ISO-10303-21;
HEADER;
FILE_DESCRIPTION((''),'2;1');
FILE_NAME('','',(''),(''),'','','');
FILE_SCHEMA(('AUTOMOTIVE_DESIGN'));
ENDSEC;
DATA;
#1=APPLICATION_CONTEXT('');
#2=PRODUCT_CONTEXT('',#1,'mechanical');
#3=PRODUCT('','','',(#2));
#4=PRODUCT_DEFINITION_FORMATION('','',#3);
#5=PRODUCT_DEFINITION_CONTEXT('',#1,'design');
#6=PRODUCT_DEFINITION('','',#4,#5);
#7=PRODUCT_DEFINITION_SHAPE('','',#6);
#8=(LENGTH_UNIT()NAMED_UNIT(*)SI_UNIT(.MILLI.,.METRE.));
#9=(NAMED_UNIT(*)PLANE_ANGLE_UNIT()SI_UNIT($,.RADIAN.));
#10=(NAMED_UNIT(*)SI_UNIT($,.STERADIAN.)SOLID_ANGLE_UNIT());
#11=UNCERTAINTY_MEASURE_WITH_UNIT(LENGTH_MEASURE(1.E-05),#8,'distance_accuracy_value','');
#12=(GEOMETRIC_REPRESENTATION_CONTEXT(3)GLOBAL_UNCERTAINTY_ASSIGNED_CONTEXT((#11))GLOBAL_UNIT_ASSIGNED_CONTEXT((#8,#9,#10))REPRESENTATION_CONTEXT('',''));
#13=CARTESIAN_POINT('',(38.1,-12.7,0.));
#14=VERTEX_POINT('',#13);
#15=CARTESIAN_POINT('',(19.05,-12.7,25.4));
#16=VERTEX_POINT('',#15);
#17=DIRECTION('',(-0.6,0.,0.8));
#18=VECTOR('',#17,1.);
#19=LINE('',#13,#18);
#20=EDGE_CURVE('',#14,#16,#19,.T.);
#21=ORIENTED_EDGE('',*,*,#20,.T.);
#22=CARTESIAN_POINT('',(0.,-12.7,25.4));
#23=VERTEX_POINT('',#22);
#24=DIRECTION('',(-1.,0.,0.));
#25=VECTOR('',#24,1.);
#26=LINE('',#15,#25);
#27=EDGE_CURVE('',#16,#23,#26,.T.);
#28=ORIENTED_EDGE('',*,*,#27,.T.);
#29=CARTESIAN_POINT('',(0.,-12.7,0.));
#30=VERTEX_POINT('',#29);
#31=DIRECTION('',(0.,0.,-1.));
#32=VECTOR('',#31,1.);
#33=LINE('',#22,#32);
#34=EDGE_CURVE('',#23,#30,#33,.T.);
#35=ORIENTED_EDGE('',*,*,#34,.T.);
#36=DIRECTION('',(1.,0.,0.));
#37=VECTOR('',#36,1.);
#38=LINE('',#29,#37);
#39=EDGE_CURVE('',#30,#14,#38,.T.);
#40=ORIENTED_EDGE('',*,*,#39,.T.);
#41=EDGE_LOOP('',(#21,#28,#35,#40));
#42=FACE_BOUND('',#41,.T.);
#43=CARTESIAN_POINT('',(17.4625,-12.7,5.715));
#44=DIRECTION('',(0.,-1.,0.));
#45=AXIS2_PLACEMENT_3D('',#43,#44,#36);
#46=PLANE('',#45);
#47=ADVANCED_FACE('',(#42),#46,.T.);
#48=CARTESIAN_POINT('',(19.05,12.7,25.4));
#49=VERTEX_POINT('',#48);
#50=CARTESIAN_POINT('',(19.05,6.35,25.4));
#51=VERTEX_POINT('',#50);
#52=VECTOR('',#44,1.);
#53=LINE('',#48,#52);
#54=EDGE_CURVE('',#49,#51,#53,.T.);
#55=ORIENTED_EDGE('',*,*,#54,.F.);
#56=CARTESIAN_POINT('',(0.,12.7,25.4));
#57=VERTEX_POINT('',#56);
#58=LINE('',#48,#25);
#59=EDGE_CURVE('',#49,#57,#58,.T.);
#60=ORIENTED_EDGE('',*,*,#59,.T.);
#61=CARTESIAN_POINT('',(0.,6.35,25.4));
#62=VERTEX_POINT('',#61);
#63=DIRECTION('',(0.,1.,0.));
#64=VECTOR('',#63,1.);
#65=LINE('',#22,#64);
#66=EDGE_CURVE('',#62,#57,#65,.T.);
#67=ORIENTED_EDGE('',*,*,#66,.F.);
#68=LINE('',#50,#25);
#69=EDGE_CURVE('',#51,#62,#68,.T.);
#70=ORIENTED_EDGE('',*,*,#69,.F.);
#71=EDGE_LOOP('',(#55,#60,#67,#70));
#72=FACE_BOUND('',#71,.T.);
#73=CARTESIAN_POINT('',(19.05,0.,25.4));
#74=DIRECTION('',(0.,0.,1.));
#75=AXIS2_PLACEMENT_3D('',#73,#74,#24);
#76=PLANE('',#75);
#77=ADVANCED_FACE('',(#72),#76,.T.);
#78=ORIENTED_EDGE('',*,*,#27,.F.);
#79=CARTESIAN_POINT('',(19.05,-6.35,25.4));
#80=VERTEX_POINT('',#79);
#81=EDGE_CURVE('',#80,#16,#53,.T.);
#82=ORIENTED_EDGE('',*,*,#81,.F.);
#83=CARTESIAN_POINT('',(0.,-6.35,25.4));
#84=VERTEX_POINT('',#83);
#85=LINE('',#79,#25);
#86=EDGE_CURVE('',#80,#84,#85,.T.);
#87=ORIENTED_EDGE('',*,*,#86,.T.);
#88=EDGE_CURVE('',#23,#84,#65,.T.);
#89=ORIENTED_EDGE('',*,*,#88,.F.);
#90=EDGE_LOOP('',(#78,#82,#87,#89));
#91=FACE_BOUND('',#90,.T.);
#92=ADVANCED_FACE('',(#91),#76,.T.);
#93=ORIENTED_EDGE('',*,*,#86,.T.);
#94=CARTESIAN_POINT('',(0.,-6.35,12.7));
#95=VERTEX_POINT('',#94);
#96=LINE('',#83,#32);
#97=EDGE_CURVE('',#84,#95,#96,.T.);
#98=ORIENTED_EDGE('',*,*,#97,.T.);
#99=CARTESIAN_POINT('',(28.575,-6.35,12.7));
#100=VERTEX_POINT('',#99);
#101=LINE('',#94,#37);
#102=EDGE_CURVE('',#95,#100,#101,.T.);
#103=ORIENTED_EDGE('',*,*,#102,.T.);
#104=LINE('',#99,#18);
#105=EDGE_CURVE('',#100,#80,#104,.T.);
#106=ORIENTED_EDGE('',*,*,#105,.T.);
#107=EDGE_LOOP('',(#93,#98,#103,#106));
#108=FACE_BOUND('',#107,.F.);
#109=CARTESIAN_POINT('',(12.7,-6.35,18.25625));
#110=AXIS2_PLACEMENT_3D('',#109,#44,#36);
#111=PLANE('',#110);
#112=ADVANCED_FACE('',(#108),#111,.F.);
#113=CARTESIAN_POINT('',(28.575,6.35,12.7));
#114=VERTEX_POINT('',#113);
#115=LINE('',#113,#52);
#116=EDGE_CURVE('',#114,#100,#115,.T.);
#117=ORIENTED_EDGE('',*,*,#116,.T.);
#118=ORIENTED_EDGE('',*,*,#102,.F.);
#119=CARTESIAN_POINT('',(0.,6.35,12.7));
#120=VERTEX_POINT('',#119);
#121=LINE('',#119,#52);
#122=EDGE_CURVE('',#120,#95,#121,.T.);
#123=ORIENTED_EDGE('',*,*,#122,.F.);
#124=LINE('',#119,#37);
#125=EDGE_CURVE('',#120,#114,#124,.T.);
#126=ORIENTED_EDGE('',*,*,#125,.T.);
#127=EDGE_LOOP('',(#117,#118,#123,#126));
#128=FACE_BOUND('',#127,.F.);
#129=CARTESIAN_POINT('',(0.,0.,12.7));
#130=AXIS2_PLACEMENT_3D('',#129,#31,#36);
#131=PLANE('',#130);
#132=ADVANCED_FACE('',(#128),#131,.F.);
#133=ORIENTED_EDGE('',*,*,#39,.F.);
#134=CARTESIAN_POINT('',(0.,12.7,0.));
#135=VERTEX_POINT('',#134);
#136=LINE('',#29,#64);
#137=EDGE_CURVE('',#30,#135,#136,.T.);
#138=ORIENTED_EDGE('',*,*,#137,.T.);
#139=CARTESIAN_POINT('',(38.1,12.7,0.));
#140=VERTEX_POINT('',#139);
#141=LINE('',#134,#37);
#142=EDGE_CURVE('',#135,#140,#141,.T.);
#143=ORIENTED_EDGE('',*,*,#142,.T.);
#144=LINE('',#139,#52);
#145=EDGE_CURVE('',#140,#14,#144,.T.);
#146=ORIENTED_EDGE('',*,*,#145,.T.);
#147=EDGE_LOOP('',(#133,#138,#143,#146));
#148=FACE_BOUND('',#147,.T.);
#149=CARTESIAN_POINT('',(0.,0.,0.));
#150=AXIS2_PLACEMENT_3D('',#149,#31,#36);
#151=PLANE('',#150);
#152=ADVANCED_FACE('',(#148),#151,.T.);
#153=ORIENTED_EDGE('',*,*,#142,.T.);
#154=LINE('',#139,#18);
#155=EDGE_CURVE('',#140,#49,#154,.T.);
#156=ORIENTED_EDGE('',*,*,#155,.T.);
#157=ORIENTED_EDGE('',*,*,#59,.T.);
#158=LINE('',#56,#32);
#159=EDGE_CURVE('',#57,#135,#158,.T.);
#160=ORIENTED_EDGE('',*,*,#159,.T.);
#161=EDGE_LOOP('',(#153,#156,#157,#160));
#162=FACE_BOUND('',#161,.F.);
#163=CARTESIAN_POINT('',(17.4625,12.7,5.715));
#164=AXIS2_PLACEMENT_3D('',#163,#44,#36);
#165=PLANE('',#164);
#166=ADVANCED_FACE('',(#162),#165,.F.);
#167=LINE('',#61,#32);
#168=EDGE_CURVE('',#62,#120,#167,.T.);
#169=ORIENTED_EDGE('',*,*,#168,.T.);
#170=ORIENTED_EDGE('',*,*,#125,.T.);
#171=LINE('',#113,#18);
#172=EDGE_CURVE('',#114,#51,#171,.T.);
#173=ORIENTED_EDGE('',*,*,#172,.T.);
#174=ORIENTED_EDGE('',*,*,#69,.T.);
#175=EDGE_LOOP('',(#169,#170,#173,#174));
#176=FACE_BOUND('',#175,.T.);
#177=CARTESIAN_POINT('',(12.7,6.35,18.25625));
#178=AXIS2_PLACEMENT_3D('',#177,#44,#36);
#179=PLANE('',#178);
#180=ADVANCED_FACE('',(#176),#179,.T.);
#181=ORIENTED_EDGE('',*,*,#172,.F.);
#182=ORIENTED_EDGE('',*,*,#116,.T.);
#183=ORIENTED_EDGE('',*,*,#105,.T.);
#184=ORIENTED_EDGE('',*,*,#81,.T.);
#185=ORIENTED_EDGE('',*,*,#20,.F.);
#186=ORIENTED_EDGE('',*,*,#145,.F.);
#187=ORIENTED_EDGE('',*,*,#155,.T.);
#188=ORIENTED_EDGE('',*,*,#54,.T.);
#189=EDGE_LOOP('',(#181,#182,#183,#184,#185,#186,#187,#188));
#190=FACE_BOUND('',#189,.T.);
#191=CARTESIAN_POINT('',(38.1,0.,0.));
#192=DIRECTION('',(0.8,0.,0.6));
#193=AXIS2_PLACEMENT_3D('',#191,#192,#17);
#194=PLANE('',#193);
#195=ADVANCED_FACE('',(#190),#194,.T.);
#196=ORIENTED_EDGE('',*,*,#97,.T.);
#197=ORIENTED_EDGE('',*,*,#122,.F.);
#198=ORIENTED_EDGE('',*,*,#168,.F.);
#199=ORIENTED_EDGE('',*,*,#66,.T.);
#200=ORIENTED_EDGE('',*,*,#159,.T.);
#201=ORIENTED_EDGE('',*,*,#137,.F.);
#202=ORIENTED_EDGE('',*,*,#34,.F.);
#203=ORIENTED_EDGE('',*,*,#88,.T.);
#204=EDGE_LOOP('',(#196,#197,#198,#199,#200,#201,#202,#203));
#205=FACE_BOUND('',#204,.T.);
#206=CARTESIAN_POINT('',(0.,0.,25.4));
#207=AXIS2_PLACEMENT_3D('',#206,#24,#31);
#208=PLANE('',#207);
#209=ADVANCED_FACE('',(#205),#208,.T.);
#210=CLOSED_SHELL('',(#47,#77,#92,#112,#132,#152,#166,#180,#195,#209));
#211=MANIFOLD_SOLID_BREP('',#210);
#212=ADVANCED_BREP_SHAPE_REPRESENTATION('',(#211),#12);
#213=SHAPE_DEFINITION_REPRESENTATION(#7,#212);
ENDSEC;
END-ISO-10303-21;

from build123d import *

# Parameters (mm, degrees)
F1_DEPTH = 12.7
F3_DEPTH = 6.35


with BuildPart() as f1:
    # F0 (on Front) → F1 (new body, symmetric)
    with BuildSketch(Plane.XZ):
        Polygon((0, 12.7), (0, 0), (38.1, 0), (28.575, 12.7), align=None)
        Polygon((0, 25.4), (0, 12.7), (28.575, 12.7), (19.05, 25.4), align=None)
    extrude(amount=F1_DEPTH, both=True)

    # F2 (on Front) → F3 (cut, symmetric)
    with BuildSketch(Plane.XZ):
        Polygon((0, 25.4), (0, 12.7), (28.575, 12.7), (19.05, 25.4), align=None)
    extrude(amount=F3_DEPTH, both=True, mode=Mode.SUBTRACT)


solid = f1.part
